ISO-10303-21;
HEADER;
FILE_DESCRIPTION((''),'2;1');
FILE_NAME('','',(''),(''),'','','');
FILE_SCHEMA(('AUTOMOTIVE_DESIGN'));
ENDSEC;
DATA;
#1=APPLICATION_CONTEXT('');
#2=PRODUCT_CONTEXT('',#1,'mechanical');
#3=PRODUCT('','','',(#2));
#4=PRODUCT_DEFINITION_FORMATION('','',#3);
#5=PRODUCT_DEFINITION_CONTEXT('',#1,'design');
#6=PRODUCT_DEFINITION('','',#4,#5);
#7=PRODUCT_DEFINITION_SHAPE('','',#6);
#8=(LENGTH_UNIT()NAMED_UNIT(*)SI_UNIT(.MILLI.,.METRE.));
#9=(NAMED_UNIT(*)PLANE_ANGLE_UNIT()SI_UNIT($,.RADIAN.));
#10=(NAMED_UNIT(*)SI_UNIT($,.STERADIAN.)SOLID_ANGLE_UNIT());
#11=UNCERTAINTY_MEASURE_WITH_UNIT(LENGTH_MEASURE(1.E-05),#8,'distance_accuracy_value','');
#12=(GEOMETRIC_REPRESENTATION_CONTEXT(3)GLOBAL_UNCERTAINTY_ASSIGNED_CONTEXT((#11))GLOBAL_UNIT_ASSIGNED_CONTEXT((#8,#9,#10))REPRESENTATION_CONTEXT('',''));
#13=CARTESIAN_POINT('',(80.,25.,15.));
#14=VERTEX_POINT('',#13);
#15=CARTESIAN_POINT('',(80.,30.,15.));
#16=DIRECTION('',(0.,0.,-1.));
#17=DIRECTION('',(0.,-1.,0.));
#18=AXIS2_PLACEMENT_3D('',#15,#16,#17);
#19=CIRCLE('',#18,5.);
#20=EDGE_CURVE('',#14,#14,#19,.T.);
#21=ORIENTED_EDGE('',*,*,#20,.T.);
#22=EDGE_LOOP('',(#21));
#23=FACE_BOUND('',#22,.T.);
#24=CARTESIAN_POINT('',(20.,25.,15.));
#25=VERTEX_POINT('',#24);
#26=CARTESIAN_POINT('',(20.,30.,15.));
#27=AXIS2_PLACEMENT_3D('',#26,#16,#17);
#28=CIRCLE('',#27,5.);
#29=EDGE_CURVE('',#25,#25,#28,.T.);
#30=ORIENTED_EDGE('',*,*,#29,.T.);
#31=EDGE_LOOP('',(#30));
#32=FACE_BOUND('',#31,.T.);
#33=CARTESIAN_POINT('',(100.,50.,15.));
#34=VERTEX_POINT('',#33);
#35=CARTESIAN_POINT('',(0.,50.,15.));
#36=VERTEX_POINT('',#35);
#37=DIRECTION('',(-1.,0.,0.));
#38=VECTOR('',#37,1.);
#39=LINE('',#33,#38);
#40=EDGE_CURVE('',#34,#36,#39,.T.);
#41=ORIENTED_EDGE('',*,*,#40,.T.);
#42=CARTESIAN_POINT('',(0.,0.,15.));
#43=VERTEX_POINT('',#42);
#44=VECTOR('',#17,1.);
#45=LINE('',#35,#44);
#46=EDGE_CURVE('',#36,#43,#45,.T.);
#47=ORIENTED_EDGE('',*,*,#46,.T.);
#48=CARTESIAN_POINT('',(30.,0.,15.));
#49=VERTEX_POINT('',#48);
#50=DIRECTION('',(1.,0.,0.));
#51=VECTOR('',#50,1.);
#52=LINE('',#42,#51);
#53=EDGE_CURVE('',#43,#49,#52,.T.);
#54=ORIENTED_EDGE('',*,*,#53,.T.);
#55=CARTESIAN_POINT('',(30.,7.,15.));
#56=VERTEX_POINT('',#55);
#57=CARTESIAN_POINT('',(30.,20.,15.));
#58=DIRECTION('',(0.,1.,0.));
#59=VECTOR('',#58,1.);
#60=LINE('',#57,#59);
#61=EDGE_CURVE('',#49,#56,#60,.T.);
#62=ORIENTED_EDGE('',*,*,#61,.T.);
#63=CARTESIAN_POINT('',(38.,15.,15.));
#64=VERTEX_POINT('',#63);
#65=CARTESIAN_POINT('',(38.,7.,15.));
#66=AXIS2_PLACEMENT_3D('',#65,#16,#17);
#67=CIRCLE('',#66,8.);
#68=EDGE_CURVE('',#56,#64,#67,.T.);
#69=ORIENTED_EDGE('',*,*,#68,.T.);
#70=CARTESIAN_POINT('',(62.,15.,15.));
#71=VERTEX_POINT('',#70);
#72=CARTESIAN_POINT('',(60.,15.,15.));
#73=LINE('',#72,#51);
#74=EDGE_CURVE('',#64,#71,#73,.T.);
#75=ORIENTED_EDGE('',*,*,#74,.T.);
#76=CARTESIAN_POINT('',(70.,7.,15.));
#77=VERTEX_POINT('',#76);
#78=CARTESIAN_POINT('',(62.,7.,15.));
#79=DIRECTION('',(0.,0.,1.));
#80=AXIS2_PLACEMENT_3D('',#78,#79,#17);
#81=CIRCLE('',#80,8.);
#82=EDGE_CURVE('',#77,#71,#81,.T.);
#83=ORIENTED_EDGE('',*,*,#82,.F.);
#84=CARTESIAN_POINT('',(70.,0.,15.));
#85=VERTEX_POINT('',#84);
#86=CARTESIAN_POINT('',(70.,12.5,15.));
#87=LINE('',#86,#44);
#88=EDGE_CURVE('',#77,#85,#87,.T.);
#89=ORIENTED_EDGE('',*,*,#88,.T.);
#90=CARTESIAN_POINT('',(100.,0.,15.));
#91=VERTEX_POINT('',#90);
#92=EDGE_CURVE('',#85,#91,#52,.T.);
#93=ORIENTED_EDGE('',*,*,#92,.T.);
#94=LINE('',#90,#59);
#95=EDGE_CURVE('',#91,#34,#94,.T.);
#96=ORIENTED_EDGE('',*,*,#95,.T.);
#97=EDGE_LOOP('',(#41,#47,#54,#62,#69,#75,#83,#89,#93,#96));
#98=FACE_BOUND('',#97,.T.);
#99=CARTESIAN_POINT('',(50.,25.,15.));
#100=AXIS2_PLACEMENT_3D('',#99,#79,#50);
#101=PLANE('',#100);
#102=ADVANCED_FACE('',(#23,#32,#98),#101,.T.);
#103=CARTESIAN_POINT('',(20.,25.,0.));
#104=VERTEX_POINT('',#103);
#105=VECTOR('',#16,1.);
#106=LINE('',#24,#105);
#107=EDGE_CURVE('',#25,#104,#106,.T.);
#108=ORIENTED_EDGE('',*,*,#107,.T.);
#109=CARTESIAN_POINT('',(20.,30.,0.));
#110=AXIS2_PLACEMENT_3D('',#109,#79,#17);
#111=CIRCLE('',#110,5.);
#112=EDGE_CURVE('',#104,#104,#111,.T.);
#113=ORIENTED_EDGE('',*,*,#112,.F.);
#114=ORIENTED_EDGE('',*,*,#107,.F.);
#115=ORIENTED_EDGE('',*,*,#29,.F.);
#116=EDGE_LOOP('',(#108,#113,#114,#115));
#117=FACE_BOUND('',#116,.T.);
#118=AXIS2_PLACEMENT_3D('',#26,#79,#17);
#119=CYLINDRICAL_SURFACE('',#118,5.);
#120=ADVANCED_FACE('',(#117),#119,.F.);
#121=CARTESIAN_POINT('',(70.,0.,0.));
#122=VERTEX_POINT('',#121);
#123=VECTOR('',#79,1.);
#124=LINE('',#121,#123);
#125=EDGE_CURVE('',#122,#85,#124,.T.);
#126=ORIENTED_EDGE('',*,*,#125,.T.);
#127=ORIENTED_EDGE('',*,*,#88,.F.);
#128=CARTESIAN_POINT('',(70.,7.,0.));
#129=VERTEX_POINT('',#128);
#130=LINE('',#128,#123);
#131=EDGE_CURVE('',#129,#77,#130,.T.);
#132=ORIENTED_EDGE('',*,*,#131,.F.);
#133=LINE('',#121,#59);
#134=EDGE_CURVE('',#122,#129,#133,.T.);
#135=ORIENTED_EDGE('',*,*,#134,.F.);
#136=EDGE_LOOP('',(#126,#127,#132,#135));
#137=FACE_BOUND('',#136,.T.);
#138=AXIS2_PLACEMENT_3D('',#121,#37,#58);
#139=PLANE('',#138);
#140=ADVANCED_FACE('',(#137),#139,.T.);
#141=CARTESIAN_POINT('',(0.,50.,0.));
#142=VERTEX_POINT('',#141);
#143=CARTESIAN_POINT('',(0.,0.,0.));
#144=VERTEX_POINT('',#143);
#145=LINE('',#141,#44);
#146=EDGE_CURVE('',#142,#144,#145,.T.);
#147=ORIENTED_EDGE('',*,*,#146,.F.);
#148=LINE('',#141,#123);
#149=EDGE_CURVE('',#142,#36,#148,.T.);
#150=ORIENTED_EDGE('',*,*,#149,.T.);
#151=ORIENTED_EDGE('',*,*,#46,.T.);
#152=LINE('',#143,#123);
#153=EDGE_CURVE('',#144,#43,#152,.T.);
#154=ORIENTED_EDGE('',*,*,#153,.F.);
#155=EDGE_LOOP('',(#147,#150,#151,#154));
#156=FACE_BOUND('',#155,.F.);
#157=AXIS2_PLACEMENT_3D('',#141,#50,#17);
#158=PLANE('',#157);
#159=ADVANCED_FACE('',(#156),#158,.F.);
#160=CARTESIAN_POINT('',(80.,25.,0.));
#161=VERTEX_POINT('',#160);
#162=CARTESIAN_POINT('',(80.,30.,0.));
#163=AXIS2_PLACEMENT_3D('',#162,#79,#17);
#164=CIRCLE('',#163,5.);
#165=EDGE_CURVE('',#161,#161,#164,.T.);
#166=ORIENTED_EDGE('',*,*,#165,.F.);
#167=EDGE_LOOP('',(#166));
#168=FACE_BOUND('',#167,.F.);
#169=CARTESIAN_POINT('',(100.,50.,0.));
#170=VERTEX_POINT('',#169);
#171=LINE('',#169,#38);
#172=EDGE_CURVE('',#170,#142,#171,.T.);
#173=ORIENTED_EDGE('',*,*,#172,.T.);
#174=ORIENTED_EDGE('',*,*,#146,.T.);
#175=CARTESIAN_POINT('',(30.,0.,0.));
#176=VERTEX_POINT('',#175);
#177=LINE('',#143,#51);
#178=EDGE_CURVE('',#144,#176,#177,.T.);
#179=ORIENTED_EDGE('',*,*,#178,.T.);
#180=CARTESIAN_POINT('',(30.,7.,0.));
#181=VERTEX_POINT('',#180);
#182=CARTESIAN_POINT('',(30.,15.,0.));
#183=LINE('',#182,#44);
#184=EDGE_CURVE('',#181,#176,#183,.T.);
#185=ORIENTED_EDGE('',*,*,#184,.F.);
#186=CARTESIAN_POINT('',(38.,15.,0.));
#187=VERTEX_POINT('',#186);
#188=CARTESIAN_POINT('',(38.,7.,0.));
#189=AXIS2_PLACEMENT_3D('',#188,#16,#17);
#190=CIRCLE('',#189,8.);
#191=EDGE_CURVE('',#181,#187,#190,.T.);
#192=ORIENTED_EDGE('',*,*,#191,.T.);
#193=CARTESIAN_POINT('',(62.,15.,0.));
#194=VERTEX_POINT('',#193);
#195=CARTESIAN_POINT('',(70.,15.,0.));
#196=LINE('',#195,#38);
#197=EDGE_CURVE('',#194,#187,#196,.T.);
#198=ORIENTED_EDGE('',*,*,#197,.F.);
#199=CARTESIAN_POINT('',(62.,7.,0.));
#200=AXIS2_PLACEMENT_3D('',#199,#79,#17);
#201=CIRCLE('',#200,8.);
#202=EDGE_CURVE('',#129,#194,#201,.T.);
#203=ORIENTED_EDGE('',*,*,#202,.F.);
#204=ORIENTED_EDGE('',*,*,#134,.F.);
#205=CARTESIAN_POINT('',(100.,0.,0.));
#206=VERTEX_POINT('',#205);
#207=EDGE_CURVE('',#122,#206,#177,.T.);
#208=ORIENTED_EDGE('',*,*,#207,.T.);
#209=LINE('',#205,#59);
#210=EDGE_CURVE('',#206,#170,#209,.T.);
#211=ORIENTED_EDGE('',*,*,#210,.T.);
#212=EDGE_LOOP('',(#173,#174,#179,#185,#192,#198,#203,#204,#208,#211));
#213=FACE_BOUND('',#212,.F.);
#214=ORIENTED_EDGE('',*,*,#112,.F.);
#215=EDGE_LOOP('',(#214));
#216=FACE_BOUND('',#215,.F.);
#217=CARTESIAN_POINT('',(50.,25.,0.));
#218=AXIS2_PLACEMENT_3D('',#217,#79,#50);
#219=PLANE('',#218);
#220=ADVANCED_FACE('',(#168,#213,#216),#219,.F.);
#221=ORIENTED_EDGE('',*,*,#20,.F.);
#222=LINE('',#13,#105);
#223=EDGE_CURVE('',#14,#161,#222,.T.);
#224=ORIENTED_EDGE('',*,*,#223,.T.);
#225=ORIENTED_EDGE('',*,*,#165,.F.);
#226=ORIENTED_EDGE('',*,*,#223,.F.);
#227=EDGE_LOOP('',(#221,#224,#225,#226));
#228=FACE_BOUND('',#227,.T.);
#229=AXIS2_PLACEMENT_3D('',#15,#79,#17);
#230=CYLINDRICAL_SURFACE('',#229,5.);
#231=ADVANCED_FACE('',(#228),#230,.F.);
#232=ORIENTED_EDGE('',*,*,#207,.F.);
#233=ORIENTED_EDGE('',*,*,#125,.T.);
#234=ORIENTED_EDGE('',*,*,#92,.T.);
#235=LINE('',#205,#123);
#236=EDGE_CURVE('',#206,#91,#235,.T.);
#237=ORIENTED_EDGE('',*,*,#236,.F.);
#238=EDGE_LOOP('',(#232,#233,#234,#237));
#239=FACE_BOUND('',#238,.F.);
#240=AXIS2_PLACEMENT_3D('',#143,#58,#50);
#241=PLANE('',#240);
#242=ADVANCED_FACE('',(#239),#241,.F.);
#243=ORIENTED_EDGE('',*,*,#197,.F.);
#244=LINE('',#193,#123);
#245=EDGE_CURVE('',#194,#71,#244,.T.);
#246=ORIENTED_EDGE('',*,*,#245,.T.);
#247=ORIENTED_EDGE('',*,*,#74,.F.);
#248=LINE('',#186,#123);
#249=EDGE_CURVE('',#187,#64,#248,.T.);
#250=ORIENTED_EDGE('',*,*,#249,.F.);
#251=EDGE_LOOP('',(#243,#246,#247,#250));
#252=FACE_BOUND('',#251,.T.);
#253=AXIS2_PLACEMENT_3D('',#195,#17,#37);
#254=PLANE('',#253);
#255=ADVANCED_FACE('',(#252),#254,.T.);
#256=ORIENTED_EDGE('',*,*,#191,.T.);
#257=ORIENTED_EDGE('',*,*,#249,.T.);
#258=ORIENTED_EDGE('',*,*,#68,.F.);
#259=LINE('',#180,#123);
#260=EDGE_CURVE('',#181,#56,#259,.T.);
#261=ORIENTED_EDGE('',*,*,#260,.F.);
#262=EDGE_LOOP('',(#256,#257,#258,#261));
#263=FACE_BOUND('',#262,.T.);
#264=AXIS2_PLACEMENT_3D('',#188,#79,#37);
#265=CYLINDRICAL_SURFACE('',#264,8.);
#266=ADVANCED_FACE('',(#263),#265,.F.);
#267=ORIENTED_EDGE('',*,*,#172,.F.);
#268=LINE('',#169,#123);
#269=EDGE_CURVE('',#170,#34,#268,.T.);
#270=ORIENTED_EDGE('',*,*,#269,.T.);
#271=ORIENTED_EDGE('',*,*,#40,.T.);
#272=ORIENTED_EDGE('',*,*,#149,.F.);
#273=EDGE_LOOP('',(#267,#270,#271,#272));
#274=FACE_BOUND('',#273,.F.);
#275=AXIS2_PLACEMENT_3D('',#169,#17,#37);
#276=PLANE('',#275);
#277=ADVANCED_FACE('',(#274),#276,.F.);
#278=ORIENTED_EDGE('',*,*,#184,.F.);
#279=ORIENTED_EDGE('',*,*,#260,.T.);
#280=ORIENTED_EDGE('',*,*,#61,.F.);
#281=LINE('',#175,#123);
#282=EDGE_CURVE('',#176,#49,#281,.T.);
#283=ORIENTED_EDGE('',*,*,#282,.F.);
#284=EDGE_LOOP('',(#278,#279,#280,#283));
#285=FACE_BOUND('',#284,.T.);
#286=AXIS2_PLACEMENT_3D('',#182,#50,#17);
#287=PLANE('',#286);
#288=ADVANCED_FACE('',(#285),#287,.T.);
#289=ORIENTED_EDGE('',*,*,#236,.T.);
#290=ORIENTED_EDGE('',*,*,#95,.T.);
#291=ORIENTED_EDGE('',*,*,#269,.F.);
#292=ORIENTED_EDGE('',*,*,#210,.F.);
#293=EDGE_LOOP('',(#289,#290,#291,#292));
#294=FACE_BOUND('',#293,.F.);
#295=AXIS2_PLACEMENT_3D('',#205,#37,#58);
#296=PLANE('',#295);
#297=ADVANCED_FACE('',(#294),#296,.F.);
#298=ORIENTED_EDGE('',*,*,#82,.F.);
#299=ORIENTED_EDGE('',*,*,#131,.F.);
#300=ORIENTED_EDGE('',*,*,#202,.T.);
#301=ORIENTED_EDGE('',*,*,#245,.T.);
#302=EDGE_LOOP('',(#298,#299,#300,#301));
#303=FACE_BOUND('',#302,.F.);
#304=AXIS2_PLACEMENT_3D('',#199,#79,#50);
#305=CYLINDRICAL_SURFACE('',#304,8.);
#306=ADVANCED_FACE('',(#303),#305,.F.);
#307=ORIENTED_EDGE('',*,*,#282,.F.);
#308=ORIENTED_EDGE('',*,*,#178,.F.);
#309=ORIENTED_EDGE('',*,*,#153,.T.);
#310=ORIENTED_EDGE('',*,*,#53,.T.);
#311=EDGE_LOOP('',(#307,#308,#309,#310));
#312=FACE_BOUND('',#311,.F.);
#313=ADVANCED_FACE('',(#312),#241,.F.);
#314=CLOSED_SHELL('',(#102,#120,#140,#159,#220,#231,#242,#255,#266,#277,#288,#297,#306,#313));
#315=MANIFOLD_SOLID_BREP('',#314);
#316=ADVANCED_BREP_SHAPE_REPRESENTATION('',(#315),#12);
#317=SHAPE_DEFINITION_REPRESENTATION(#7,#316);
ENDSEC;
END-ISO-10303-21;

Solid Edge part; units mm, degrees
sketch "Sketch1" plane through (0, 0, 0) normal (0, 0, 1) x (1, 0, 0)
  line L0 (0, 0) -> (100, 0)
  line L1 (100, 0) -> (100, 50)
  line L2 (100, 50) -> (0, 50)
  line L3 (0, 50) -> (0, 0)
extrude "Protrusion1" add sketch "Sketch1" along normal blind 15
hole "Hole_1" at (80, 30, 15) direction (0, 0, -1) diameter 10 end through all
hole "Hole1" at (20, 30, 15) direction (0, 0, -1) diameter 10 end through all
sketch "Sketch2" plane through (50, 25, 0) normal (0, 0, -1) x (-1, 0, 0)
  line L0 (-20, -25) -> (-20, -10)
  line L1 (-20, -10) -> (20, -10)
  line L2 (20, -10) -> (20, -25)
  line L3 (-20, -25) -> (20, -25)
  dimension "D1" = 30
  dimension "D2" = 30
  dimension "D3" = 15
extrude "Cutout1" cut sketch "Sketch2" against normal through all
fillet "Round_1" radius 8 2 edges at (70, 15, 7.5) (30, 15, 7.5)
properties part number "1001"
